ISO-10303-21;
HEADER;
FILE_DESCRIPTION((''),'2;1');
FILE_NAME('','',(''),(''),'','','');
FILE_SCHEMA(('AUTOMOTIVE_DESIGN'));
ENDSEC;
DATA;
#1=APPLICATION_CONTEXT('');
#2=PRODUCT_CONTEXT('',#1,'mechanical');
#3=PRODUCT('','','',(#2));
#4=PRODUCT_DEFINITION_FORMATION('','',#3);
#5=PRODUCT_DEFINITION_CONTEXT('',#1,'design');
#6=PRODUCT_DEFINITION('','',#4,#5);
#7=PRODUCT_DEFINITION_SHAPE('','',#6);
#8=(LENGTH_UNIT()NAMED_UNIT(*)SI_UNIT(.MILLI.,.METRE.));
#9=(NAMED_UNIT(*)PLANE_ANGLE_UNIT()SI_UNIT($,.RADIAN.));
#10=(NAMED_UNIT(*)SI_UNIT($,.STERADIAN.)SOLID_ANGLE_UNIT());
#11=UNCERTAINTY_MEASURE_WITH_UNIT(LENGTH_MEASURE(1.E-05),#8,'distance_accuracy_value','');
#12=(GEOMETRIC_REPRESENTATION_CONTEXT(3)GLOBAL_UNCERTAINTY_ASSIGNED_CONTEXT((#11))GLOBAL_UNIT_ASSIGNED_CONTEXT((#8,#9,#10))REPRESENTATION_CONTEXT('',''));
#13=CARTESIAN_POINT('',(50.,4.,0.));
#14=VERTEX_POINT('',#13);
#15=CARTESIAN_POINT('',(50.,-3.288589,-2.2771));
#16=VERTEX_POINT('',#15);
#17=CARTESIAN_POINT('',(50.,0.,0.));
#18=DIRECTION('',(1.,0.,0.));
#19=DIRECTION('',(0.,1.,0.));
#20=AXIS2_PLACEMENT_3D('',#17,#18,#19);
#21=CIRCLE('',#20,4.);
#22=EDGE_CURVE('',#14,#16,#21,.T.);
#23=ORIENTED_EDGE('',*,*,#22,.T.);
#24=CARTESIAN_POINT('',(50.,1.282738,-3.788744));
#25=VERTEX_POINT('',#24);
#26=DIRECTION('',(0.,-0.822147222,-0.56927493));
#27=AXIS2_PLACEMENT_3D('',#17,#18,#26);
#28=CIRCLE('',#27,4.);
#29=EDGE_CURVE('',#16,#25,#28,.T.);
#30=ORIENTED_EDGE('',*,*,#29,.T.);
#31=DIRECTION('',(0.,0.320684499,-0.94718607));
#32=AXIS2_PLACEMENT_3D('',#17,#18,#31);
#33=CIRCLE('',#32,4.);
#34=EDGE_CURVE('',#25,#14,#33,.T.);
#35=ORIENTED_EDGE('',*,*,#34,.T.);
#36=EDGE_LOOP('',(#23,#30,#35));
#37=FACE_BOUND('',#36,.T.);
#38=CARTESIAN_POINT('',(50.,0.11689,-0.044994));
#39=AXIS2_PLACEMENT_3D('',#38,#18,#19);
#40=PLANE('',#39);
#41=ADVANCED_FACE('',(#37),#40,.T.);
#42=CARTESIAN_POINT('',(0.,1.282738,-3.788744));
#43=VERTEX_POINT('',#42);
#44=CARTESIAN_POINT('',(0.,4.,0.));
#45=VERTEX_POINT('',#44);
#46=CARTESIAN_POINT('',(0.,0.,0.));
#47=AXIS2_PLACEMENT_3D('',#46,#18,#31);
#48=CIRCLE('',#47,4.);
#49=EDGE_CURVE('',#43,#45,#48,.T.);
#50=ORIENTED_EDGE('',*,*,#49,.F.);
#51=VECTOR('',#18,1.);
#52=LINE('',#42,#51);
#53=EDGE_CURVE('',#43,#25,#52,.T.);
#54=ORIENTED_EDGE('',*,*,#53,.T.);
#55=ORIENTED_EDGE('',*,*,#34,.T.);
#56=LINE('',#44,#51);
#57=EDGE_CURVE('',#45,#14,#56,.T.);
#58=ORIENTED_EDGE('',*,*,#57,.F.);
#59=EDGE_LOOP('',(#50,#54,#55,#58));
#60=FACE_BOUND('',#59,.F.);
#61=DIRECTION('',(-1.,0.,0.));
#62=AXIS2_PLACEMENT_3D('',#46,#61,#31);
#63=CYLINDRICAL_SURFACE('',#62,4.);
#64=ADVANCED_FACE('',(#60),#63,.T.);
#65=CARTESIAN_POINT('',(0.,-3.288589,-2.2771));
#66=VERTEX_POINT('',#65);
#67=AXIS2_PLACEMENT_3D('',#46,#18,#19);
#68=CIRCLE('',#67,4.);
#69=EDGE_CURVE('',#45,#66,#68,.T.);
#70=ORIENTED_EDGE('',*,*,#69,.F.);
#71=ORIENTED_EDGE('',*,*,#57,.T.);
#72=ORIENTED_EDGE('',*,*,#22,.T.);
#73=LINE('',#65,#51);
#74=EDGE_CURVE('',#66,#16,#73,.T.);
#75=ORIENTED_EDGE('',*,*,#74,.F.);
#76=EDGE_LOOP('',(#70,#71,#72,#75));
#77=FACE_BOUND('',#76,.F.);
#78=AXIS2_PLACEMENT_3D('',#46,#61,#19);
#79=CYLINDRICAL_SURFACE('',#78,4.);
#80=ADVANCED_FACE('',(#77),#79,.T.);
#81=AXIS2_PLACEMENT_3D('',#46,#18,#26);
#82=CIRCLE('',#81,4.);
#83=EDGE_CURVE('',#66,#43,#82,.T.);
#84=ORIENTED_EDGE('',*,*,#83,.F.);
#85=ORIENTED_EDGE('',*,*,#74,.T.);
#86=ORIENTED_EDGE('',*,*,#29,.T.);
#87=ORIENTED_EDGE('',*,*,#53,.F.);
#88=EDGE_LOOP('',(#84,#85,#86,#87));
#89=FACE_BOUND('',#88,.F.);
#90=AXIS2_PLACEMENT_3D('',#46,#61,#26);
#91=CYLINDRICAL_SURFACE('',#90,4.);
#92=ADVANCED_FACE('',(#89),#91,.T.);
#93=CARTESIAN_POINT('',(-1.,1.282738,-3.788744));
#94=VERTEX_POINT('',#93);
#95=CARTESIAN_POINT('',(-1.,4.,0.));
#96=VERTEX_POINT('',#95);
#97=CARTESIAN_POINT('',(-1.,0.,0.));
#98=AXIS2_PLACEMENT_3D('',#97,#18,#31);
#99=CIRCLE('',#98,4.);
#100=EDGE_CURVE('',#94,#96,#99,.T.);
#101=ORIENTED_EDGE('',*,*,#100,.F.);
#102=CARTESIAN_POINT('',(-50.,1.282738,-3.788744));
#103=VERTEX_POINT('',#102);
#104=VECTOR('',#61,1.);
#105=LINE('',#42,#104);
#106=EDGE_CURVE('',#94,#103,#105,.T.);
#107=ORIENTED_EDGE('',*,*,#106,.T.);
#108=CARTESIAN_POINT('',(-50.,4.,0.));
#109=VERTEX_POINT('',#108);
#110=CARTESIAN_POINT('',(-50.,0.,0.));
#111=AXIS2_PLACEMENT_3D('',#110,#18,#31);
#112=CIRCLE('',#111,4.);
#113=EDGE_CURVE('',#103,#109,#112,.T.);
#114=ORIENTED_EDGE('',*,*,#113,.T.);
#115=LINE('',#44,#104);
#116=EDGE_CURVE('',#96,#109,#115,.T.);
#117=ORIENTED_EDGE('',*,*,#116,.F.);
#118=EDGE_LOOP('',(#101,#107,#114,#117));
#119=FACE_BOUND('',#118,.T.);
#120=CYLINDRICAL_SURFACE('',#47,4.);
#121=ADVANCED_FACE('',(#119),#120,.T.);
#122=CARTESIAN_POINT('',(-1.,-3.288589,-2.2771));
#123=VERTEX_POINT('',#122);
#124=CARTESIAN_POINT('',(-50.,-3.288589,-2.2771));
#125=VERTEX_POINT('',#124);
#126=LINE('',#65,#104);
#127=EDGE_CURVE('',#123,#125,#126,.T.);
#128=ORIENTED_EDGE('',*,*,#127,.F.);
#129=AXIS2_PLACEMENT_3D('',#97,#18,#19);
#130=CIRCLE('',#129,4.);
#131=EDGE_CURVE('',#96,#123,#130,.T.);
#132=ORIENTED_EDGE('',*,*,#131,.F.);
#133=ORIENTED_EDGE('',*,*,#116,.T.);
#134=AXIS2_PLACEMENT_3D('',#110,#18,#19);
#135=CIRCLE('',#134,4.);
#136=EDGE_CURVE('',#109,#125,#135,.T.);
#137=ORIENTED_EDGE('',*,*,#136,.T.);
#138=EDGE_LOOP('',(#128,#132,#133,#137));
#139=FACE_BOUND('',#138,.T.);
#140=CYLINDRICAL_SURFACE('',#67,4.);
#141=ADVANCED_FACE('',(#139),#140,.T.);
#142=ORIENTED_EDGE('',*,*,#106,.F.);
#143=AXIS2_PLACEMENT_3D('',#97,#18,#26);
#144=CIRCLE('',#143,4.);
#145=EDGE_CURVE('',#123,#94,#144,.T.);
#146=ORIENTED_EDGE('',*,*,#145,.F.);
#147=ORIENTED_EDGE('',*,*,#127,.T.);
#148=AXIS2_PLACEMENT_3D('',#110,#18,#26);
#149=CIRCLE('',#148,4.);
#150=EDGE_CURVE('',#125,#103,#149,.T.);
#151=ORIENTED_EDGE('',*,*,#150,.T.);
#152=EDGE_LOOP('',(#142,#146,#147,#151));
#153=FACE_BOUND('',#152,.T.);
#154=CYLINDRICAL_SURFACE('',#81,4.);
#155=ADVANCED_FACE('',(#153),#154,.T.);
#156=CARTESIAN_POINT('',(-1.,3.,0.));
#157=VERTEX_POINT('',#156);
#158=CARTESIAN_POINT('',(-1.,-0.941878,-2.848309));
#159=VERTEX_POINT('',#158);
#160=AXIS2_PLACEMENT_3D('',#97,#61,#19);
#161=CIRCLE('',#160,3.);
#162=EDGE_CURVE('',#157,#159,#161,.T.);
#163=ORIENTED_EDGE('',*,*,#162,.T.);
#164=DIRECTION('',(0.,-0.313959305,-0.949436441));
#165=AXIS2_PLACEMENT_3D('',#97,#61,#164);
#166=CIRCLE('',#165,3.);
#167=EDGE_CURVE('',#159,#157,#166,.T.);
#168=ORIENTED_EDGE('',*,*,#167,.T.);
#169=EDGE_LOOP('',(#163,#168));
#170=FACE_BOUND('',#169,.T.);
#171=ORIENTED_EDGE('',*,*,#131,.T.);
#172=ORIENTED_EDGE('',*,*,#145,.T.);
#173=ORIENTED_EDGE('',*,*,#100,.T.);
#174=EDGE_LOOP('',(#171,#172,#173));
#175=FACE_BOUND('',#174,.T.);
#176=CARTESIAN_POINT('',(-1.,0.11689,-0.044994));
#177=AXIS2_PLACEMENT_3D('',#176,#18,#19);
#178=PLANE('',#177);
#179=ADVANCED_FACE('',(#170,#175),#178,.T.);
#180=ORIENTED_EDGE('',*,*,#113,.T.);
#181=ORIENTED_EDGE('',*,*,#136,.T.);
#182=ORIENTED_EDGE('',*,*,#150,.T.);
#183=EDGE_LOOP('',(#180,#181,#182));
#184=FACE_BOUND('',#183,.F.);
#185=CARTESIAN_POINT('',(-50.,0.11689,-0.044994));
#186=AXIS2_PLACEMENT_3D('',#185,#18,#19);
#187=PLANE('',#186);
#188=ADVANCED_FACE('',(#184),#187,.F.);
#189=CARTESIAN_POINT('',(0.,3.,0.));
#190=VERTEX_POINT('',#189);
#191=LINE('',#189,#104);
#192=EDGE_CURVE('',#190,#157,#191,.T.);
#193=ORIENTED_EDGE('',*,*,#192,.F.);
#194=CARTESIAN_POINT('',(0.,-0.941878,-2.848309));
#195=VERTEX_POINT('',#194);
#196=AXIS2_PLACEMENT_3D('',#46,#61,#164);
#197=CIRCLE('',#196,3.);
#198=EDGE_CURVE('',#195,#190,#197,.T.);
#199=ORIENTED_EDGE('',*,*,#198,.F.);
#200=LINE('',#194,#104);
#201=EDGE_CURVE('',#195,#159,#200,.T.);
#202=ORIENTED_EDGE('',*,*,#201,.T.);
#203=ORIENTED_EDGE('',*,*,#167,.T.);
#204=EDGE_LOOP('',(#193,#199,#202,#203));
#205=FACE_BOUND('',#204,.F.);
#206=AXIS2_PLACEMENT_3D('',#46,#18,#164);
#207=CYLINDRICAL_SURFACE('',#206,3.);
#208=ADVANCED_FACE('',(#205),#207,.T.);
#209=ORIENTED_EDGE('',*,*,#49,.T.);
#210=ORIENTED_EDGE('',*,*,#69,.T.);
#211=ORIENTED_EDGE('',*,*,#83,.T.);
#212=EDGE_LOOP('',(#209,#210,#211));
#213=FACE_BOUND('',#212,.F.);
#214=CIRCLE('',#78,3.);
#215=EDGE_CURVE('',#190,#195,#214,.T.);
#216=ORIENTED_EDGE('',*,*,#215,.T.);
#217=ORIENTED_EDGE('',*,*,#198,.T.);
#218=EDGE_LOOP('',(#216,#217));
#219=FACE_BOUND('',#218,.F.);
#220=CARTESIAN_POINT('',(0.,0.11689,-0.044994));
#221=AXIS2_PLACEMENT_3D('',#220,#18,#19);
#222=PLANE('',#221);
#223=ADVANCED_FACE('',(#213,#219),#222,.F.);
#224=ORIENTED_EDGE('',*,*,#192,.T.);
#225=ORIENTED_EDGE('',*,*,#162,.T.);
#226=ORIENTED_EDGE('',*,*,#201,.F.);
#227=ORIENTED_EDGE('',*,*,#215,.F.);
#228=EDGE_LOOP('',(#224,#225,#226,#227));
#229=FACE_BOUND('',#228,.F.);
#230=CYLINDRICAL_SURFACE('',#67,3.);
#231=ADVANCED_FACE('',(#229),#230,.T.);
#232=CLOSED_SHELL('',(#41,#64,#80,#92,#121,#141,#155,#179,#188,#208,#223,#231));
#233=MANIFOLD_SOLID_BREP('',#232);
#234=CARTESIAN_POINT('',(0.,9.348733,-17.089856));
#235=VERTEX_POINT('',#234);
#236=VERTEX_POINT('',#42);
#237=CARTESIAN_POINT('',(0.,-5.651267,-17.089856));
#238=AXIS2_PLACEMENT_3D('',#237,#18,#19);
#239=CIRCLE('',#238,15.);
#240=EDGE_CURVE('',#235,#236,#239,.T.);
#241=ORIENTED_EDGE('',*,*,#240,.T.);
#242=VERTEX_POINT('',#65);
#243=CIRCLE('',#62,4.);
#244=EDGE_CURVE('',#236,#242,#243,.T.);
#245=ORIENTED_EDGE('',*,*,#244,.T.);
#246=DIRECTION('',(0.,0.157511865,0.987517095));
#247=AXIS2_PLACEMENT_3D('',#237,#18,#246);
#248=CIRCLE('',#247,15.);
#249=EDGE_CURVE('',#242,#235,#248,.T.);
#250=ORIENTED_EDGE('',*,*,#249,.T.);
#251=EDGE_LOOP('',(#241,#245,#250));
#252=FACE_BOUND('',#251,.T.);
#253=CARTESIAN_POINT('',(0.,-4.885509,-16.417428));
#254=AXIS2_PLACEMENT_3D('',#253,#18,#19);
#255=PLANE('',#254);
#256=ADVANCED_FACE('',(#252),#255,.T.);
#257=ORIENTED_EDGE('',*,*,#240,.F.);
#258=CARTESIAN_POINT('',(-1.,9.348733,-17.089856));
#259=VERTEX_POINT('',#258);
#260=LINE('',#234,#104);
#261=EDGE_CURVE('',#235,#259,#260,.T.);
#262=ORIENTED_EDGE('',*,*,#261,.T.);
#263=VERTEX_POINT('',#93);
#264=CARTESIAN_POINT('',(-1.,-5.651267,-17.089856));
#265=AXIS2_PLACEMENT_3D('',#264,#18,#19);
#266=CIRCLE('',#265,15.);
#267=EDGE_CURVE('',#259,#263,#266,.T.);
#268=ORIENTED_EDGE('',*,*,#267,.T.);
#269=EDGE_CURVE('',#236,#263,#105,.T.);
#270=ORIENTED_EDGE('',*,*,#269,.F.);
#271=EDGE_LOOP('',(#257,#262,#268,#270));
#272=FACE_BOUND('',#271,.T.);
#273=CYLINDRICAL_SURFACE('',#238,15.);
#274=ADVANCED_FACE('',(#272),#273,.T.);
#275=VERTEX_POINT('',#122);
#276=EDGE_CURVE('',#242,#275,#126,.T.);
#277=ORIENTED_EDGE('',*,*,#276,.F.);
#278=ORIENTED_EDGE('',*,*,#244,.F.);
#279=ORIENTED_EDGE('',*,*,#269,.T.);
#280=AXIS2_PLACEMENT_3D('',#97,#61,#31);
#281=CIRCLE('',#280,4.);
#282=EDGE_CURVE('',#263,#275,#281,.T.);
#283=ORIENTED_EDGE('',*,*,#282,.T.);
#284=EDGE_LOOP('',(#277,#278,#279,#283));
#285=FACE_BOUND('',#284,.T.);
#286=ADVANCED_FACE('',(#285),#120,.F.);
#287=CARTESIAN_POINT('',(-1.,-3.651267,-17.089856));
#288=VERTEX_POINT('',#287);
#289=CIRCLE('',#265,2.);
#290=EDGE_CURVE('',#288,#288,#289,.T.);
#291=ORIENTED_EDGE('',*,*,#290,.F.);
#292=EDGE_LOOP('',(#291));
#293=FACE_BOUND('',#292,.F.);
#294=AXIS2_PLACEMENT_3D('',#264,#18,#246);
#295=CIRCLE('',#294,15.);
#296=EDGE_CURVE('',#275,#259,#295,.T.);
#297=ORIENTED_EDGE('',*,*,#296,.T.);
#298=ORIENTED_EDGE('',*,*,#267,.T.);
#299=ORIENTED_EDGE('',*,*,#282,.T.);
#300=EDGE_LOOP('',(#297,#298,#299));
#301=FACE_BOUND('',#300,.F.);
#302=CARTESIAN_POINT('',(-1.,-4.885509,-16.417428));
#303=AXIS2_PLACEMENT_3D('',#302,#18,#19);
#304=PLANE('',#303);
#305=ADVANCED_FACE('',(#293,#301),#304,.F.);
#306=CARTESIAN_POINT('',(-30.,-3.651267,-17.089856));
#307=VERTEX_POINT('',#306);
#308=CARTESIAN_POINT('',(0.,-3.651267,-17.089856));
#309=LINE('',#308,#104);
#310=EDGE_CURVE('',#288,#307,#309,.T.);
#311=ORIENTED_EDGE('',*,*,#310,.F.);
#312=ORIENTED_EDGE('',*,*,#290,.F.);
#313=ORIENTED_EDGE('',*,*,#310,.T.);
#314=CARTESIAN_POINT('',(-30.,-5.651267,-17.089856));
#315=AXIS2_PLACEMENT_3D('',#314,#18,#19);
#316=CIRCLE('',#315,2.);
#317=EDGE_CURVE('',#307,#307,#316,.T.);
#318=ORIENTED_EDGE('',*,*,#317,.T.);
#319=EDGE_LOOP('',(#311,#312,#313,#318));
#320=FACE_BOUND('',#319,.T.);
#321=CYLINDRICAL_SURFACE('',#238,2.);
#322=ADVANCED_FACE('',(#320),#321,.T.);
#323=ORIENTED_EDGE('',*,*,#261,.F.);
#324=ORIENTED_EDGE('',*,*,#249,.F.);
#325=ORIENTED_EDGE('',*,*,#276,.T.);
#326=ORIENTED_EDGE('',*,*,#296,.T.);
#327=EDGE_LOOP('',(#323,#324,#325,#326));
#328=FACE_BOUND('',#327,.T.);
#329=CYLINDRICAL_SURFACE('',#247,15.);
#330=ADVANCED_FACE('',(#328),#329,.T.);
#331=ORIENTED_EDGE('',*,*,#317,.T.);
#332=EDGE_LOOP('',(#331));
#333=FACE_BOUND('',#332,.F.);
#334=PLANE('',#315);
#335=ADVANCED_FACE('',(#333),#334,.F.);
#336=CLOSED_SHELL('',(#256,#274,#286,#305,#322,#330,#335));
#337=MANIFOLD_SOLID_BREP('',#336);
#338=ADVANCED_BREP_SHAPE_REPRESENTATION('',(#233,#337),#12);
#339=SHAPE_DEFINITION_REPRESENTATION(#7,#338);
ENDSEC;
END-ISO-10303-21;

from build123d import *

# Parameters (mm, degrees)
F1_DEPTH      = 50
F1_DEPTH_BACK = 50
F2_DEPTH      = 1
F0_R          = 2
F3_DEPTH      = 1
F4_DEPTH      = 30


with BuildPart() as f1:
    # F0 (on Right) → F1 (new body, two sides)
    with BuildSketch(Plane.YZ) as f1_sk:
        with BuildLine():
            ThreePointArc((1.2827379971, -3.7887442815), (3.250457813, -2.3312065558), (4, 0))
            ThreePointArc((4, 0), (-1.1928211206, 3.8180070422), (-3.2885888871, -2.2770997192))
            ThreePointArc((-3.2885888871, -2.2770997192), (-2.1037180265, -2.5153956948), (-0.9418779147, -2.848309322))
            ThreePointArc((-0.9418779147, -2.848309322), (0.1893888641, -3.2736793631), (1.2827379971, -3.7887442815))
        make_face()
        with BuildLine():
            ThreePointArc((3, 0), (1.7570381692, -2.4316284404), (-0.9418779147, -2.848309322))
            ThreePointArc((-0.9418779147, -2.848309322), (-1.7570381692, 2.4316284404), (3, 0))
        make_face(mode=Mode.SUBTRACT)
        with BuildLine():
            ThreePointArc((3, 0), (-1.7570381692, 2.4316284404), (-0.9418779147, -2.848309322))
            ThreePointArc((-0.9418779147, -2.848309322), (1.7570381692, -2.4316284404), (3, 0))
        make_face()
        with BuildLine():
            ThreePointArc((-0.9418779147, -2.848309322), (-2.1037180265, -2.5153956948), (-3.2885888871, -2.2770997192))
            ThreePointArc((-3.2885888871, -2.2770997192), (-1.255837079, -3.7977458092), (1.2827379971, -3.7887442815))
            ThreePointArc((1.2827379971, -3.7887442815), (0.1893888641, -3.2736793631), (-0.9418779147, -2.848309322))
        make_face()
    extrude(amount=F1_DEPTH)
    extrude(f1_sk.sketch, amount=-F1_DEPTH_BACK)

    # F0 (on Right) → F2 (cut)
    with BuildSketch(Plane.YZ):
        with BuildLine():
            ThreePointArc((1.2827379971, -3.7887442815), (3.250457813, -2.3312065558), (4, 0))
            ThreePointArc((4, 0), (-1.1928211206, 3.8180070422), (-3.2885888871, -2.2770997192))
            ThreePointArc((-3.2885888871, -2.2770997192), (-2.1037180265, -2.5153956948), (-0.9418779147, -2.848309322))
            ThreePointArc((-0.9418779147, -2.848309322), (0.1893888641, -3.2736793631), (1.2827379971, -3.7887442815))
        make_face()
        with BuildLine():
            ThreePointArc((3, 0), (1.7570381692, -2.4316284404), (-0.9418779147, -2.848309322))
            ThreePointArc((-0.9418779147, -2.848309322), (-1.7570381692, 2.4316284404), (3, 0))
        make_face(mode=Mode.SUBTRACT)
        with BuildLine():
            ThreePointArc((-0.9418779147, -2.848309322), (-2.1037180265, -2.5153956948), (-3.2885888871, -2.2770997192))
            ThreePointArc((-3.2885888871, -2.2770997192), (-1.255837079, -3.7977458092), (1.2827379971, -3.7887442815))
            ThreePointArc((1.2827379971, -3.7887442815), (0.1893888641, -3.2736793631), (-0.9418779147, -2.848309322))
        make_face()
    extrude(amount=-F2_DEPTH, mode=Mode.SUBTRACT)


with BuildPart() as f3:
    # F0 (on Right) → F3 (new body)
    with BuildSketch(Plane.YZ):
        with BuildLine():
            ThreePointArc((1.2827379971, -3.7887442815), (-1.255837079, -3.7977458092), (-3.2885888871, -2.2770997192))
            ThreePointArc((-3.2885888871, -2.2770997192), (-17.0626683803, -26.8253538295), (9.3487331446, -17.0898561413))
            ThreePointArc((9.3487331446, -17.0898561413), (7.1746848205, -9.3120053066), (1.2827379971, -3.7887442815))
        make_face()
        with Locations((-5.6512668554, -17.0898561413)):
            Circle(F0_R, mode=Mode.SUBTRACT)
    extrude(amount=-F3_DEPTH)

    # F0 (on Right) → F4 (join)
    with BuildSketch(Plane.YZ):
        with Locations((-5.6512668554, -17.0898561413)):
            Circle(F0_R)
    extrude(amount=-F4_DEPTH)


solid = Compound([f1.part, f3.part])
